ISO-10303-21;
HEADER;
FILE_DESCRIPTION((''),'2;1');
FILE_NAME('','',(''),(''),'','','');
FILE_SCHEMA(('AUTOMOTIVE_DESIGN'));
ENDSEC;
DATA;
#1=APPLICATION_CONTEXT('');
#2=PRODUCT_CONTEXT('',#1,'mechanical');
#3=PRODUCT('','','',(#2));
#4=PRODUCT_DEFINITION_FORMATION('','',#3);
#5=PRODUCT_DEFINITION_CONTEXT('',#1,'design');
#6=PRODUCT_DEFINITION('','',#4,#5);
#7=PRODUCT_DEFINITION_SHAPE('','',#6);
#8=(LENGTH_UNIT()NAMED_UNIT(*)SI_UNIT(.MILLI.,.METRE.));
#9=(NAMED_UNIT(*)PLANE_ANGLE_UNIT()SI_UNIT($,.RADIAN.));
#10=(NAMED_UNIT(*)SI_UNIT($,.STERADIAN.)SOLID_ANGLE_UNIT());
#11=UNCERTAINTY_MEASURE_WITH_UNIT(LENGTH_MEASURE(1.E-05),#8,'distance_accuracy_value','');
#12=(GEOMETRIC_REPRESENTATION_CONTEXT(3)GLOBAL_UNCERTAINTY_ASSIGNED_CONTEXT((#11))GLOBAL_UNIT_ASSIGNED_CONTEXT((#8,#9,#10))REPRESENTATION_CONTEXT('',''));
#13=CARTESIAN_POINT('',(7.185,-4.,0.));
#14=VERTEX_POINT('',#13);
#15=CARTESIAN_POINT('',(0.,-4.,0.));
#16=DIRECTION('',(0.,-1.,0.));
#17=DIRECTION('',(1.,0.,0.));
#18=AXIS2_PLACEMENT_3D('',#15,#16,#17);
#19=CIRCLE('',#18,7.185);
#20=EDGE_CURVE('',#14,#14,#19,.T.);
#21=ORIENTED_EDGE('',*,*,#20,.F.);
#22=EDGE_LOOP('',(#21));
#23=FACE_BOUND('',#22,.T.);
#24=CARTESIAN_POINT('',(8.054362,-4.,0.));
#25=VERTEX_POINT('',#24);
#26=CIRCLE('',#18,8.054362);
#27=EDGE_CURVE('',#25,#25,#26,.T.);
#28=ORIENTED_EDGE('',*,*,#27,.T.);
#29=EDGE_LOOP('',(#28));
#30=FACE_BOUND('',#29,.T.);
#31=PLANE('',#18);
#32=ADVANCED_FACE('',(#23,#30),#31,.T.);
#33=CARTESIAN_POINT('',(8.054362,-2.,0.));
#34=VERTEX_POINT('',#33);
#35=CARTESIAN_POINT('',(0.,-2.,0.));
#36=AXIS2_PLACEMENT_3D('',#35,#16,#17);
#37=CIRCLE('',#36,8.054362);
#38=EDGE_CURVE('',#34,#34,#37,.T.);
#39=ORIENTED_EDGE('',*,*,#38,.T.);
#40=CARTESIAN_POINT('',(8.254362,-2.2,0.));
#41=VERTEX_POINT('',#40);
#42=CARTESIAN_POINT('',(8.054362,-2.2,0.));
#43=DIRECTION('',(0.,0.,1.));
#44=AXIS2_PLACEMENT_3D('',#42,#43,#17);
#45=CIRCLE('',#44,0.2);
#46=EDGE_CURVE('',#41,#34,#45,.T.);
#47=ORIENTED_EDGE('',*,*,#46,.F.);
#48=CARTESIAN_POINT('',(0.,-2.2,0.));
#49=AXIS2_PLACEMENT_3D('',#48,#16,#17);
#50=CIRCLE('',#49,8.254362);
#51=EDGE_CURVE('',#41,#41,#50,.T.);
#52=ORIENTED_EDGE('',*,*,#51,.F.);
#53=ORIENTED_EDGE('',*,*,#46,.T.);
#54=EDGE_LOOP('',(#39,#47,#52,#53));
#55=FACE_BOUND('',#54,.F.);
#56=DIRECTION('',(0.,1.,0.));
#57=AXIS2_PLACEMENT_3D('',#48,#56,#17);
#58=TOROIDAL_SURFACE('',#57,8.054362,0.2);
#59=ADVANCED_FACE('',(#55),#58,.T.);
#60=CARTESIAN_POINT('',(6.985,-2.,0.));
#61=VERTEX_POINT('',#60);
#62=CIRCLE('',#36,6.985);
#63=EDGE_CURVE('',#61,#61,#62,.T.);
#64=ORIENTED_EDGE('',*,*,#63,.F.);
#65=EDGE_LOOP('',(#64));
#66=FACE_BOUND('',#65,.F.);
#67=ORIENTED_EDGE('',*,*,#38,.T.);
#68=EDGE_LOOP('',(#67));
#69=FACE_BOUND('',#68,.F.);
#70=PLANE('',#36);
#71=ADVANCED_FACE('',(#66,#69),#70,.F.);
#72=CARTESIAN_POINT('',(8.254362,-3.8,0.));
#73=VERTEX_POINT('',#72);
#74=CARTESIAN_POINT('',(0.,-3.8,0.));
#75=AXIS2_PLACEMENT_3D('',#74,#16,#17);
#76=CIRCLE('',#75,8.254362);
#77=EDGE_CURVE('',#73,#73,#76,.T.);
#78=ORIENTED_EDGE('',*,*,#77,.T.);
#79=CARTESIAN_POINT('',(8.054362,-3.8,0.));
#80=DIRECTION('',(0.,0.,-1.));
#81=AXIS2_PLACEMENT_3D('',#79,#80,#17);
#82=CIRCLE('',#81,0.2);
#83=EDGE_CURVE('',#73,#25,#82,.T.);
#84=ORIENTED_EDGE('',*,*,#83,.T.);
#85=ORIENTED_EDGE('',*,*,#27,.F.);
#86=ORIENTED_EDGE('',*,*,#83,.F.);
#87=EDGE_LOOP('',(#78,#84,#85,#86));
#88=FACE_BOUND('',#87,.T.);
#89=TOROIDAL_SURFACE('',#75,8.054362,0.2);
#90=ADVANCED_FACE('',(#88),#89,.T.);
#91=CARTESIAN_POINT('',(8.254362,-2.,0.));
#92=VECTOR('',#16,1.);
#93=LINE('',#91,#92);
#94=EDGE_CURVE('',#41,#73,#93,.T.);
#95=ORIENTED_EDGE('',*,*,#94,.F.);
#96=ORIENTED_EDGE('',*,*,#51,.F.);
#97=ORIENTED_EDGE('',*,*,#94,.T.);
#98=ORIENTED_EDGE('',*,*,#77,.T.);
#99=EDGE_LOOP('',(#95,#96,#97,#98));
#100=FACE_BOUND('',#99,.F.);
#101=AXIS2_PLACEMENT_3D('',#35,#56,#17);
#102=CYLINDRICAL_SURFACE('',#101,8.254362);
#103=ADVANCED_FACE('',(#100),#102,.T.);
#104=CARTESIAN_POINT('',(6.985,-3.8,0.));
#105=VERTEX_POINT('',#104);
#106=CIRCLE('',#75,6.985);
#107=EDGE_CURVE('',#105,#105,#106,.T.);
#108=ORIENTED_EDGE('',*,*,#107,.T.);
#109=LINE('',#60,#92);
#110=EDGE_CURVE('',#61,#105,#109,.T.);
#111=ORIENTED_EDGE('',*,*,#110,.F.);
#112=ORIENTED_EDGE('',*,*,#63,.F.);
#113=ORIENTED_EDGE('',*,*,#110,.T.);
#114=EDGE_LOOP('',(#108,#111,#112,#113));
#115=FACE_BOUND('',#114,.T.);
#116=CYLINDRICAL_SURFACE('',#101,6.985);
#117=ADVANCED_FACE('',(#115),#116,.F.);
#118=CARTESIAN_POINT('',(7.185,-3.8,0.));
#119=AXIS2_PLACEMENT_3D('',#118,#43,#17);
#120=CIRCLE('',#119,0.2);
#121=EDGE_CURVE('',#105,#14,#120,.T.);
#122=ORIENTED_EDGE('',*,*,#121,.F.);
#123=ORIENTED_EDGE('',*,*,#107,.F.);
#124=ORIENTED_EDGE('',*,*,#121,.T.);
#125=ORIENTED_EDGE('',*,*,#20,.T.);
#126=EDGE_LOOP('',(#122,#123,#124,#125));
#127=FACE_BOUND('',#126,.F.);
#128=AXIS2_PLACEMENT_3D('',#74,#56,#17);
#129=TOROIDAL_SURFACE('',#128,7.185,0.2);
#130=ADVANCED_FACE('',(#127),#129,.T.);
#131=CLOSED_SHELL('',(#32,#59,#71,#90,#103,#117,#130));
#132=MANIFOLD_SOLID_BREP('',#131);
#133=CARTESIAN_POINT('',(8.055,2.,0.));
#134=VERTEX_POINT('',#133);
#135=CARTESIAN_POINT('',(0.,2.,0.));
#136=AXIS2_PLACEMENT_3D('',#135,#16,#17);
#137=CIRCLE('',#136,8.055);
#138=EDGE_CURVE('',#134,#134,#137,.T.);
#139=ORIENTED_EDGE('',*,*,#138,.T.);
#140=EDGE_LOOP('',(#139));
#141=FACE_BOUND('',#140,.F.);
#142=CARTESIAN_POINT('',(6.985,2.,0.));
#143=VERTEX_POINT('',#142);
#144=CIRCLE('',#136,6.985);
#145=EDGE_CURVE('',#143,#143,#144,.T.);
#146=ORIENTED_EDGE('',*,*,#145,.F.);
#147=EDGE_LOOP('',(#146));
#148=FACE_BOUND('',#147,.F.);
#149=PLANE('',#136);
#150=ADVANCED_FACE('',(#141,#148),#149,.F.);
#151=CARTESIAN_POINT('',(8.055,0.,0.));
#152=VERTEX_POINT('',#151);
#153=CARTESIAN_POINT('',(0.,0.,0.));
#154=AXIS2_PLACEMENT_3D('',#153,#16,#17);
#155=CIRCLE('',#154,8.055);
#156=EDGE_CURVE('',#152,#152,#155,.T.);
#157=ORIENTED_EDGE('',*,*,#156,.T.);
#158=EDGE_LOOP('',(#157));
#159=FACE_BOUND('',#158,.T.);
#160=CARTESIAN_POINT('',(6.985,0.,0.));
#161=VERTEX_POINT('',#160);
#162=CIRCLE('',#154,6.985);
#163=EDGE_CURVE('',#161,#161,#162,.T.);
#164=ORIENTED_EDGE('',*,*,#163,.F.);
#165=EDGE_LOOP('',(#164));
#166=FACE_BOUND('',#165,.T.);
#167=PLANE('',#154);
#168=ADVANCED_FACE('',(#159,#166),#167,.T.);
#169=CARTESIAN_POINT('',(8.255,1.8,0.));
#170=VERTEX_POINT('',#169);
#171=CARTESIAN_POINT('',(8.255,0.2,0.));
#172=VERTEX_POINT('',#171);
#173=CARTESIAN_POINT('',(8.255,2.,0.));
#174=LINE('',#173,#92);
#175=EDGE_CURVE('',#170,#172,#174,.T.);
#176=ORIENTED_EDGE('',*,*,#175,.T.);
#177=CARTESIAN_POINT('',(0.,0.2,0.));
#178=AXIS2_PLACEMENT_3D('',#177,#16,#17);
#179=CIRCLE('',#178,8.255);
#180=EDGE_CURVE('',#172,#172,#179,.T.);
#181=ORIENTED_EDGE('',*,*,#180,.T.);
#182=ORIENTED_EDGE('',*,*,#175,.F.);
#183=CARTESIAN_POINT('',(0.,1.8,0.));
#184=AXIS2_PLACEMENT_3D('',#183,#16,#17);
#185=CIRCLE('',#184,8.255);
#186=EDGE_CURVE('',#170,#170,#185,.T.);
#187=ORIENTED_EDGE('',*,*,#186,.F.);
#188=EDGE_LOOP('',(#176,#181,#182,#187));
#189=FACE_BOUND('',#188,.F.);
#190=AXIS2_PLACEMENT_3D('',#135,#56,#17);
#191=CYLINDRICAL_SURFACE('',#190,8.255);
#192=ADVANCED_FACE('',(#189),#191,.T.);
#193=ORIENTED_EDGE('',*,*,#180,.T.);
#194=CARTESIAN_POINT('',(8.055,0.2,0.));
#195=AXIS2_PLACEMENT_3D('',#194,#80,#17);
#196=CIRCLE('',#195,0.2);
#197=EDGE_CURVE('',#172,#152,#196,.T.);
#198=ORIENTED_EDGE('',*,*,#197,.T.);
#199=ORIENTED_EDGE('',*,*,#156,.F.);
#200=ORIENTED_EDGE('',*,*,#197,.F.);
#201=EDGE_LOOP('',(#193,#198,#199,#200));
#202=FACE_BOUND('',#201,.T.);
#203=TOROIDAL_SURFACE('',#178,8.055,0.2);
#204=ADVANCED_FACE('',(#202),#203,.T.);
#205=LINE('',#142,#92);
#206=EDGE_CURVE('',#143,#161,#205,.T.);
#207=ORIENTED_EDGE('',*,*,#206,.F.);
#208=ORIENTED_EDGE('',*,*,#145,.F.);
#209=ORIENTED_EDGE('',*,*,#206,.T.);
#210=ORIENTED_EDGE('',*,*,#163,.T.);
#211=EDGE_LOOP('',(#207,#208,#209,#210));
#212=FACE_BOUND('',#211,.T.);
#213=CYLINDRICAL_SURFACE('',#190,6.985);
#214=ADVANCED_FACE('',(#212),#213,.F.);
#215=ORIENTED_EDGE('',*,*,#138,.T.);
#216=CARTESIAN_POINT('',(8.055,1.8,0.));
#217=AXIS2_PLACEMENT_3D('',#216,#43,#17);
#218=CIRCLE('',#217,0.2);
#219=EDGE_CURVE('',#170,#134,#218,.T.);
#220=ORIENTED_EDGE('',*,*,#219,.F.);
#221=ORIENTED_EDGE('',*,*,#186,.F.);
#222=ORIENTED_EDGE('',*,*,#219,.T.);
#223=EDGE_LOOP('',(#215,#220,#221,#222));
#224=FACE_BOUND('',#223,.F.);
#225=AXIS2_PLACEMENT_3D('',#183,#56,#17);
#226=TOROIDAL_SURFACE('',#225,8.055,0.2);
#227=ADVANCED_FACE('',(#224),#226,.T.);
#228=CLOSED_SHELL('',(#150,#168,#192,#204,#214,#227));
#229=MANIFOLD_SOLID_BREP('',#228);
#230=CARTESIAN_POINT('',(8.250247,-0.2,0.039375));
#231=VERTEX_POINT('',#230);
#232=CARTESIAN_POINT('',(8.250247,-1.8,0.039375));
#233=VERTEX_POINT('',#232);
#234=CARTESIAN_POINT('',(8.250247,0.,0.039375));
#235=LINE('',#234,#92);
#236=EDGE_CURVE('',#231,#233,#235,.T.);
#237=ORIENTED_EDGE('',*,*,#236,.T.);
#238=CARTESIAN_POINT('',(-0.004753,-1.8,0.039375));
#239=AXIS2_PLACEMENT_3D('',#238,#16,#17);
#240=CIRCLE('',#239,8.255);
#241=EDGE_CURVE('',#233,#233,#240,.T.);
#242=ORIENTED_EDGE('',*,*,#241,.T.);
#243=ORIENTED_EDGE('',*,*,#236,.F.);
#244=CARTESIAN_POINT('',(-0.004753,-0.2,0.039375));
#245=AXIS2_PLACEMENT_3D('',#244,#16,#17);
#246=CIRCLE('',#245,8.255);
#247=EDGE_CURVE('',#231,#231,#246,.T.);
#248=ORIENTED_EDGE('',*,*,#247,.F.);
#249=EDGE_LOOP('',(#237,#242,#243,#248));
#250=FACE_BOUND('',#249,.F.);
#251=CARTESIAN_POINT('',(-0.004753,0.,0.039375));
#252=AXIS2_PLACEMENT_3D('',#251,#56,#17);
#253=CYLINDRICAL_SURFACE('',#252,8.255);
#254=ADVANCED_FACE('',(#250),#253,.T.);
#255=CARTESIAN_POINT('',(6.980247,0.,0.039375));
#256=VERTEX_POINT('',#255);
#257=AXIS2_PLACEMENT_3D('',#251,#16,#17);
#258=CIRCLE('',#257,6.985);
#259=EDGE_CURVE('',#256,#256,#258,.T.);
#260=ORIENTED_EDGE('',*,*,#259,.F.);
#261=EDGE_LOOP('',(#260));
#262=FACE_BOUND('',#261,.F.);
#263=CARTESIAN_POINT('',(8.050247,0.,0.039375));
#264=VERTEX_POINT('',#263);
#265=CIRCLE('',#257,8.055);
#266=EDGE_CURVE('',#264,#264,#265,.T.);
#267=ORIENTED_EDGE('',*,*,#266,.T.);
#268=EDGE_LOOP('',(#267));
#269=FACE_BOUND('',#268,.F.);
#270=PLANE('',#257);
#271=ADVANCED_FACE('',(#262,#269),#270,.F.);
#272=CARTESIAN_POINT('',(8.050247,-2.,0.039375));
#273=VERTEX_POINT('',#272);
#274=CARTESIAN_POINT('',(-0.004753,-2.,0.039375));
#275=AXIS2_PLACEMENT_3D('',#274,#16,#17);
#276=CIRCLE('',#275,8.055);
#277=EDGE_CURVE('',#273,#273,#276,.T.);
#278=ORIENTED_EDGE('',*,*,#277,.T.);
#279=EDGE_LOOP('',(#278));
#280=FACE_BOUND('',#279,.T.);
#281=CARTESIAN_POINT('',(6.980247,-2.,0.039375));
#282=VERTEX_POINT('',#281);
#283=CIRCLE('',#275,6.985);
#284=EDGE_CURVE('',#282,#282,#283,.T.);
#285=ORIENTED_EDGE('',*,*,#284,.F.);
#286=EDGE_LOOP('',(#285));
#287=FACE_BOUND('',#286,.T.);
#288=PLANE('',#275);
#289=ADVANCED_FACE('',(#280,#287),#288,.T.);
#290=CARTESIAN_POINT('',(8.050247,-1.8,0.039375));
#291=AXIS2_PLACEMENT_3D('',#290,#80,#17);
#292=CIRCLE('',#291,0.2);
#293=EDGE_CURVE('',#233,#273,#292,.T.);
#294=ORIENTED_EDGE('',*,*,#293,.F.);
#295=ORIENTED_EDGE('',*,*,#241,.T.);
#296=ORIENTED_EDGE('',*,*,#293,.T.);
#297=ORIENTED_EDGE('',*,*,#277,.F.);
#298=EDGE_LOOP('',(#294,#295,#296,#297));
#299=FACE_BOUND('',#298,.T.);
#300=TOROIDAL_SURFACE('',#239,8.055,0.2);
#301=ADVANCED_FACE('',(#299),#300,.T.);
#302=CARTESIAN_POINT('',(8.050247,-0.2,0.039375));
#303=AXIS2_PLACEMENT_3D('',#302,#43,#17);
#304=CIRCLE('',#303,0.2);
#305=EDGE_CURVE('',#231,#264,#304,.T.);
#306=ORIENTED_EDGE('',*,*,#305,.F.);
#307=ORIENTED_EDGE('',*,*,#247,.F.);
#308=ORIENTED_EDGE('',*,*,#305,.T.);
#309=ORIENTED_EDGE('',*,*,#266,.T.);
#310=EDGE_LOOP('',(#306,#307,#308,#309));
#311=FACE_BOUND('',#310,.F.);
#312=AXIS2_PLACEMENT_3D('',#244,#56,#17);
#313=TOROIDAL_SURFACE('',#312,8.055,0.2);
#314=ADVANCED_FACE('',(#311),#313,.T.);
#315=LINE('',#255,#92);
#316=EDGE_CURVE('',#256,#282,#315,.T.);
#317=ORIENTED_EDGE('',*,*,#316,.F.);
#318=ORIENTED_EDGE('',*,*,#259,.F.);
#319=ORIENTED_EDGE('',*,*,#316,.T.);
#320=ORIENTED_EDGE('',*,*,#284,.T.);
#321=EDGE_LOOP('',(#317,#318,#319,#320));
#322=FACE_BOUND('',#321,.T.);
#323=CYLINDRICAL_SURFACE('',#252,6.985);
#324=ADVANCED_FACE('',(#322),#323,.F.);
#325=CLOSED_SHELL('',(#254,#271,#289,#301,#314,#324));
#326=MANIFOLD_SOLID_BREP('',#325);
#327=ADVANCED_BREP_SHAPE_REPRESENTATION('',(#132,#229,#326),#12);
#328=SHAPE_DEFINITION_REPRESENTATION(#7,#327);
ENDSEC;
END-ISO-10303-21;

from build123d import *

# Parameters (mm, degrees)
F4_R     = 8.254362
F4_R_2   = 6.985
F6_DEPTH = 2
F5_R     = 8.255
F5_R_2   = 6.985
F7_DEPTH = 2
F3_R     = 8.255
F3_R_2   = 6.985
F8_DEPTH = 2
F9_R     = 0.2
F9_2_R   = 0.2
F10_R    = 0.2
F10_2_R  = 0.2
F11_R    = 0.2
F11_2_R  = 0.2


with BuildPart() as f6:
    # F4 (on offset) → F6 (new body)
    with BuildSketch(Plane.XZ.offset(2)):
        Circle(F4_R)
        Circle(F4_R_2, mode=Mode.SUBTRACT)
    extrude(amount=F6_DEPTH)

    # F10#2
    f10_2_edges = [f6.edges().sort_by_distance(p)[0] for p in [
        (-8.254362, -2, 0),
        (-6.985, -4, 0),
    ]]
    fillet(f10_2_edges, radius=F10_2_R)

    # F11#2
    f11_2_edges = [f6.edges().sort_by_distance(p)[0] for p in [
        (-8.254362, -4, 0),
    ]]
    fillet(f11_2_edges, radius=F11_2_R)


with BuildPart() as f7:
    # F5 (on Front) → F7 (new body)
    with BuildSketch(Plane.XZ):
        with Locations((-0.004753, 0.039375)):
            Circle(F5_R)
        with Locations((-0.004753, 0.039375)):
            Circle(F5_R_2, mode=Mode.SUBTRACT)
    extrude(amount=F7_DEPTH)

    # F9#2
    f9_2_edges = [f7.edges().sort_by_distance(p)[0] for p in [
        (-8.259753, 0, 0.039375),
    ]]
    fillet(f9_2_edges, radius=F9_2_R)

    # F11
    f11_edges = [f7.edges().sort_by_distance(p)[0] for p in [
        (-8.259753, -2, 0.039375),
    ]]
    fillet(f11_edges, radius=F11_R)


with BuildPart() as f8:
    # F3 (on offset) → F8 (new body)
    with BuildSketch(Plane.XZ.offset(-2)):
        Circle(F3_R)
        Circle(F3_R_2, mode=Mode.SUBTRACT)
    extrude(amount=F8_DEPTH)

    # F9
    f9_edges = [f8.edges().sort_by_distance(p)[0] for p in [
        (-8.255, 2, 0),
    ]]
    fillet(f9_edges, radius=F9_R)

    # F10
    f10_edges = [f8.edges().sort_by_distance(p)[0] for p in [
        (-8.255, 0, 0),
    ]]
    fillet(f10_edges, radius=F10_R)


solid = Compound([f6.part, f7.part, f8.part])
